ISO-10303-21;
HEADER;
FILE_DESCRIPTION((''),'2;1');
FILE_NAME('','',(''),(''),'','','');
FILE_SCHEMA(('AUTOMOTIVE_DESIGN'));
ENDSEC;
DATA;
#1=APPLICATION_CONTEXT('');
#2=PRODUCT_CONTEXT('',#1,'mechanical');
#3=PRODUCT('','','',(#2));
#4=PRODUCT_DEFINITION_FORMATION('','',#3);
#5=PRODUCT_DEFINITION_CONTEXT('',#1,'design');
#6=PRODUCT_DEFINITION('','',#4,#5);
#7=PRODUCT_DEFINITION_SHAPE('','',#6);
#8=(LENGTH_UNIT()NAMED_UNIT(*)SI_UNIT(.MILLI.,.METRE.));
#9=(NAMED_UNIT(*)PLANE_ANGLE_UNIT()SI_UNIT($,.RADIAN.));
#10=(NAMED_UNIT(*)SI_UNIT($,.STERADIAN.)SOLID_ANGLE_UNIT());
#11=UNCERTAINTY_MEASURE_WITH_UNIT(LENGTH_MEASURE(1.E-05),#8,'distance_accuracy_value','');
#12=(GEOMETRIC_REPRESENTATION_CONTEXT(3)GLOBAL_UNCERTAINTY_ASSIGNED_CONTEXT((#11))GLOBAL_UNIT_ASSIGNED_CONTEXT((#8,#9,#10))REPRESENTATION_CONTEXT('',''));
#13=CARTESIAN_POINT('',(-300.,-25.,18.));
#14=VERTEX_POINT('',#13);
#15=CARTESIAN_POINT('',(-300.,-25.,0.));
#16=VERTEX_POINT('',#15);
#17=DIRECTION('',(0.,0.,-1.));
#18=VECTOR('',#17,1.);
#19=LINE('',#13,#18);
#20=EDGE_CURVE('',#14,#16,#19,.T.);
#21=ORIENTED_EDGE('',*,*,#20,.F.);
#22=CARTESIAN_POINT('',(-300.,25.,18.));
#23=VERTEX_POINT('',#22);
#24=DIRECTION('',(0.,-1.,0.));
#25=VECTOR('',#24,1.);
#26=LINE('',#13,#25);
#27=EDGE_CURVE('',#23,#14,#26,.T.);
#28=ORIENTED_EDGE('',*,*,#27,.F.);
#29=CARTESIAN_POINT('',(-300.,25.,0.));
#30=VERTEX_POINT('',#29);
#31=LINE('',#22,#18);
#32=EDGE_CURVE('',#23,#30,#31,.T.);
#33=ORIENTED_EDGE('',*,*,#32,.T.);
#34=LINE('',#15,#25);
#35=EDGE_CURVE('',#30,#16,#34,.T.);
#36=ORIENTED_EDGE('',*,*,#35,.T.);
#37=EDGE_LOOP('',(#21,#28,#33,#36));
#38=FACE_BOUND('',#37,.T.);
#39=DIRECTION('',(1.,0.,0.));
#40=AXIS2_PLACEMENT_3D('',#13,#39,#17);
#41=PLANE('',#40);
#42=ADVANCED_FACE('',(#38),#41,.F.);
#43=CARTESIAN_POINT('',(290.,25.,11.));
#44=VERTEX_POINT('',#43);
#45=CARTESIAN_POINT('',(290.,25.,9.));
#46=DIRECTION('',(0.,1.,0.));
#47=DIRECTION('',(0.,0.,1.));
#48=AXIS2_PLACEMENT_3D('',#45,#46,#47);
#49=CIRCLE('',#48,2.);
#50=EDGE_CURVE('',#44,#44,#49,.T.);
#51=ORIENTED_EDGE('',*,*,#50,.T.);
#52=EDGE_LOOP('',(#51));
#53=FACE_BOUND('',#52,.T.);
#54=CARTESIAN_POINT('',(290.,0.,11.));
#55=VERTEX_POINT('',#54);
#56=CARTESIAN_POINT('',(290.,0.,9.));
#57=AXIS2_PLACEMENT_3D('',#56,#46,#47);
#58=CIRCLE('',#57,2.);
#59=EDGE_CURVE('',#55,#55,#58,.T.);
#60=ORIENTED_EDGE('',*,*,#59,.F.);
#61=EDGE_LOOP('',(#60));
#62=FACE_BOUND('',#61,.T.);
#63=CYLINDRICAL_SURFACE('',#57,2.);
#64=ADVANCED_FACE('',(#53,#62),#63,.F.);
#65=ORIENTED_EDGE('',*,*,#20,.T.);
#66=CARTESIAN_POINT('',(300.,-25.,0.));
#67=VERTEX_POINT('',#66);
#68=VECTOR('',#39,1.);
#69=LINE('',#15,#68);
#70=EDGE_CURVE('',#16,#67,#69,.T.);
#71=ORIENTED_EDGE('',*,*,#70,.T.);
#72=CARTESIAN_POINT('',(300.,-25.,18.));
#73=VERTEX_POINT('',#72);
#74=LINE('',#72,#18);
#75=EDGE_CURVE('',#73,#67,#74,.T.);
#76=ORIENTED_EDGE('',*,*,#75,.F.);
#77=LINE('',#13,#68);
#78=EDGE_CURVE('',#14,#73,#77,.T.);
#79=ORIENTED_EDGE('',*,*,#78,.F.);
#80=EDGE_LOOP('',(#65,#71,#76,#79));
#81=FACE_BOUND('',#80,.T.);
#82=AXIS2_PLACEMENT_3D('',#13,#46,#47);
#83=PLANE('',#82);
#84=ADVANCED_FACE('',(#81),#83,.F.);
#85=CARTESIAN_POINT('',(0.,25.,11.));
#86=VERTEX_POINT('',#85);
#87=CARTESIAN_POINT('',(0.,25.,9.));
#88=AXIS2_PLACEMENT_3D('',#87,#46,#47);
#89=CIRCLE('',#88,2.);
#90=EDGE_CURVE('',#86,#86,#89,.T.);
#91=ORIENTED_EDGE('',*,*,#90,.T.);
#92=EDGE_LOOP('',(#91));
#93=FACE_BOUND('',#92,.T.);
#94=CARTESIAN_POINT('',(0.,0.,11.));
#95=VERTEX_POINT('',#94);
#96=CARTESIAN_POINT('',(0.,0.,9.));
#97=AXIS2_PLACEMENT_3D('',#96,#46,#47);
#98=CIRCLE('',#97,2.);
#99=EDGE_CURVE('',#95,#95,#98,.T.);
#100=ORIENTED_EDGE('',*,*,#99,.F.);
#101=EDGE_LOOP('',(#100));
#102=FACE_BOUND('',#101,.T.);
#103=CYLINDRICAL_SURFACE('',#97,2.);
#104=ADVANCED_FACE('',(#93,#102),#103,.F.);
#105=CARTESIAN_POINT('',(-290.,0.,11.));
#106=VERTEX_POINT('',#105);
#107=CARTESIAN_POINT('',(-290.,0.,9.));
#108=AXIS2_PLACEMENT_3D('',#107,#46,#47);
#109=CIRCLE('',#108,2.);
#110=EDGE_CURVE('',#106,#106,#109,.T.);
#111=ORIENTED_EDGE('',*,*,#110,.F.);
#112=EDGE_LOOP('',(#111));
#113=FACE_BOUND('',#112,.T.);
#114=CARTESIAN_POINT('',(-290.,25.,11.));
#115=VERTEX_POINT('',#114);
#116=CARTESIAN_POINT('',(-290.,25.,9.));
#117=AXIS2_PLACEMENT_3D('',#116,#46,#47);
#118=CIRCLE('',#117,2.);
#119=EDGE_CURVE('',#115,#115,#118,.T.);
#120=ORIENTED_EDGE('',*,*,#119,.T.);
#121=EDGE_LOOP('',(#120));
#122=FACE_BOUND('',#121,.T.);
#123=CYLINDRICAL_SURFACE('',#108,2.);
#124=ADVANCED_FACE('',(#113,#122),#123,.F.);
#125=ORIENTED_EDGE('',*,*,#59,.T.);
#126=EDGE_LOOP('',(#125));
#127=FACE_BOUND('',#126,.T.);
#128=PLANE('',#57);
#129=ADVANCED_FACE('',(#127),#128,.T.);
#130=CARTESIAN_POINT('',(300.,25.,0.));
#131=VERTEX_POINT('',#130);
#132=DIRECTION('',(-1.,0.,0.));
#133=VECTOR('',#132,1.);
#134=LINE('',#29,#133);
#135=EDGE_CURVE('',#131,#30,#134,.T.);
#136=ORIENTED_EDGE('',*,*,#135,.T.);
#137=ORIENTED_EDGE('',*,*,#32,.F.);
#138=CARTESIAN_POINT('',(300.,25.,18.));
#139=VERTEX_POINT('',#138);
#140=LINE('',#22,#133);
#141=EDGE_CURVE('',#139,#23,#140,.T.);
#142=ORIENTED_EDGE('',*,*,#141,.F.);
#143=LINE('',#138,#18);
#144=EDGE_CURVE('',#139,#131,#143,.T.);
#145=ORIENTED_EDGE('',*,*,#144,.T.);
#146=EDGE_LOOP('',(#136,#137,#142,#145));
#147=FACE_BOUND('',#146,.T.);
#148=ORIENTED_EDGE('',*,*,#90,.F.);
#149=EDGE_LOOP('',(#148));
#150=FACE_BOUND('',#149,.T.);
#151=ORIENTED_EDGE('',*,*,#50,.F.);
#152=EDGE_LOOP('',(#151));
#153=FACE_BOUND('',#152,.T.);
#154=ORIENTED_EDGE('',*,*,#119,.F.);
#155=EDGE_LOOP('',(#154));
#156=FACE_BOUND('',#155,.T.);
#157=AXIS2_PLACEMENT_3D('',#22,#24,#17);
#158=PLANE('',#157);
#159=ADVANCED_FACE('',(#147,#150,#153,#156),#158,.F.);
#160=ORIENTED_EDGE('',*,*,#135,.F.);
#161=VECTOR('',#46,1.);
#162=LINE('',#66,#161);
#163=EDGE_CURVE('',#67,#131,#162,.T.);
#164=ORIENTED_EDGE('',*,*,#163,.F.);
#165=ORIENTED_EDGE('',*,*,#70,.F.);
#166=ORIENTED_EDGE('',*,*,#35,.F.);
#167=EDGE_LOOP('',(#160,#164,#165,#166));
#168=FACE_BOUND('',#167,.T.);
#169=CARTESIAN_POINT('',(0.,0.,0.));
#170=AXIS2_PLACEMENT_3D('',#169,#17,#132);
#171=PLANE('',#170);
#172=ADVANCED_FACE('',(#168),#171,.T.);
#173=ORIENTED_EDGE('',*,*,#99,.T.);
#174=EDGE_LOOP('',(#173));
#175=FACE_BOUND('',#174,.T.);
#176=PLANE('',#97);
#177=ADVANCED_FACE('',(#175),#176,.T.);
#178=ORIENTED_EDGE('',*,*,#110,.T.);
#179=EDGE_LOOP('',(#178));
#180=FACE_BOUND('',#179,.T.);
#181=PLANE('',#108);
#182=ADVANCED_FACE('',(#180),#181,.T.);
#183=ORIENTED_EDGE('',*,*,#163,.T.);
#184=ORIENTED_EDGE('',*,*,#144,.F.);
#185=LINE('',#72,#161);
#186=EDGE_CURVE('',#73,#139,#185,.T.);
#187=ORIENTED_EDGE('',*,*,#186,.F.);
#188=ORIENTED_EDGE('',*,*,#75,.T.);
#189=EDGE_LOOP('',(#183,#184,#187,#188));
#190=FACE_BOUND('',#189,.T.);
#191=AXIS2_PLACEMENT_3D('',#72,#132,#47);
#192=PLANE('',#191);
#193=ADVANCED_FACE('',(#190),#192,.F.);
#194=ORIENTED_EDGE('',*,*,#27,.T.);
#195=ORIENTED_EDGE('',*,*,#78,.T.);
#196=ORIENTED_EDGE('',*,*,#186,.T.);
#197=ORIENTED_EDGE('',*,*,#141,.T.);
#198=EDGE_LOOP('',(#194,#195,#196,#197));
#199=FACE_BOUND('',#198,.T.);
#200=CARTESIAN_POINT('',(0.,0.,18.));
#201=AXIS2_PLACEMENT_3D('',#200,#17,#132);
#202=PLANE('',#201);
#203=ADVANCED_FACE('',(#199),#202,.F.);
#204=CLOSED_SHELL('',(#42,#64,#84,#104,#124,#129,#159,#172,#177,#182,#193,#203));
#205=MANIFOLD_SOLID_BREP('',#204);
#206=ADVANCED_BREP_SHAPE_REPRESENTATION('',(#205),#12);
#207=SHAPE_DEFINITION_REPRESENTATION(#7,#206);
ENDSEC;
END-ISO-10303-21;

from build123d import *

# Parameters (mm, degrees)
SKETCH1_W           = 600
SKETCH1_H           = 50
BOSS_EXTRUDE1_DEPTH = 18
SKETCH2_R           = 2
CUT_EXTRUDE1_DEPTH  = 25


with BuildPart() as part:
    # Sketch1 → Boss-Extrude1 (new body)
    with BuildSketch(Plane.XY):
        Rectangle(SKETCH1_W, SKETCH1_H)
    extrude(amount=BOSS_EXTRUDE1_DEPTH)

    # Sketch2 → Cut-Extrude1 (cut)
    with BuildSketch(Plane(origin=(0, 25, 0), x_dir=(1, 0, 0), z_dir=(0, 1, 0))):
        with Locations(Location((-290, -9, 0), (0, 0, 270))):
            Circle(SKETCH2_R)
        with Locations(Location((0, -9, 0), (0, 0, 270))):
            Circle(SKETCH2_R)
        with Locations(Location((290, -9, 0), (0, 0, 270))):
            Circle(SKETCH2_R)
    extrude(amount=-CUT_EXTRUDE1_DEPTH, mode=Mode.SUBTRACT)


solid = part.part
